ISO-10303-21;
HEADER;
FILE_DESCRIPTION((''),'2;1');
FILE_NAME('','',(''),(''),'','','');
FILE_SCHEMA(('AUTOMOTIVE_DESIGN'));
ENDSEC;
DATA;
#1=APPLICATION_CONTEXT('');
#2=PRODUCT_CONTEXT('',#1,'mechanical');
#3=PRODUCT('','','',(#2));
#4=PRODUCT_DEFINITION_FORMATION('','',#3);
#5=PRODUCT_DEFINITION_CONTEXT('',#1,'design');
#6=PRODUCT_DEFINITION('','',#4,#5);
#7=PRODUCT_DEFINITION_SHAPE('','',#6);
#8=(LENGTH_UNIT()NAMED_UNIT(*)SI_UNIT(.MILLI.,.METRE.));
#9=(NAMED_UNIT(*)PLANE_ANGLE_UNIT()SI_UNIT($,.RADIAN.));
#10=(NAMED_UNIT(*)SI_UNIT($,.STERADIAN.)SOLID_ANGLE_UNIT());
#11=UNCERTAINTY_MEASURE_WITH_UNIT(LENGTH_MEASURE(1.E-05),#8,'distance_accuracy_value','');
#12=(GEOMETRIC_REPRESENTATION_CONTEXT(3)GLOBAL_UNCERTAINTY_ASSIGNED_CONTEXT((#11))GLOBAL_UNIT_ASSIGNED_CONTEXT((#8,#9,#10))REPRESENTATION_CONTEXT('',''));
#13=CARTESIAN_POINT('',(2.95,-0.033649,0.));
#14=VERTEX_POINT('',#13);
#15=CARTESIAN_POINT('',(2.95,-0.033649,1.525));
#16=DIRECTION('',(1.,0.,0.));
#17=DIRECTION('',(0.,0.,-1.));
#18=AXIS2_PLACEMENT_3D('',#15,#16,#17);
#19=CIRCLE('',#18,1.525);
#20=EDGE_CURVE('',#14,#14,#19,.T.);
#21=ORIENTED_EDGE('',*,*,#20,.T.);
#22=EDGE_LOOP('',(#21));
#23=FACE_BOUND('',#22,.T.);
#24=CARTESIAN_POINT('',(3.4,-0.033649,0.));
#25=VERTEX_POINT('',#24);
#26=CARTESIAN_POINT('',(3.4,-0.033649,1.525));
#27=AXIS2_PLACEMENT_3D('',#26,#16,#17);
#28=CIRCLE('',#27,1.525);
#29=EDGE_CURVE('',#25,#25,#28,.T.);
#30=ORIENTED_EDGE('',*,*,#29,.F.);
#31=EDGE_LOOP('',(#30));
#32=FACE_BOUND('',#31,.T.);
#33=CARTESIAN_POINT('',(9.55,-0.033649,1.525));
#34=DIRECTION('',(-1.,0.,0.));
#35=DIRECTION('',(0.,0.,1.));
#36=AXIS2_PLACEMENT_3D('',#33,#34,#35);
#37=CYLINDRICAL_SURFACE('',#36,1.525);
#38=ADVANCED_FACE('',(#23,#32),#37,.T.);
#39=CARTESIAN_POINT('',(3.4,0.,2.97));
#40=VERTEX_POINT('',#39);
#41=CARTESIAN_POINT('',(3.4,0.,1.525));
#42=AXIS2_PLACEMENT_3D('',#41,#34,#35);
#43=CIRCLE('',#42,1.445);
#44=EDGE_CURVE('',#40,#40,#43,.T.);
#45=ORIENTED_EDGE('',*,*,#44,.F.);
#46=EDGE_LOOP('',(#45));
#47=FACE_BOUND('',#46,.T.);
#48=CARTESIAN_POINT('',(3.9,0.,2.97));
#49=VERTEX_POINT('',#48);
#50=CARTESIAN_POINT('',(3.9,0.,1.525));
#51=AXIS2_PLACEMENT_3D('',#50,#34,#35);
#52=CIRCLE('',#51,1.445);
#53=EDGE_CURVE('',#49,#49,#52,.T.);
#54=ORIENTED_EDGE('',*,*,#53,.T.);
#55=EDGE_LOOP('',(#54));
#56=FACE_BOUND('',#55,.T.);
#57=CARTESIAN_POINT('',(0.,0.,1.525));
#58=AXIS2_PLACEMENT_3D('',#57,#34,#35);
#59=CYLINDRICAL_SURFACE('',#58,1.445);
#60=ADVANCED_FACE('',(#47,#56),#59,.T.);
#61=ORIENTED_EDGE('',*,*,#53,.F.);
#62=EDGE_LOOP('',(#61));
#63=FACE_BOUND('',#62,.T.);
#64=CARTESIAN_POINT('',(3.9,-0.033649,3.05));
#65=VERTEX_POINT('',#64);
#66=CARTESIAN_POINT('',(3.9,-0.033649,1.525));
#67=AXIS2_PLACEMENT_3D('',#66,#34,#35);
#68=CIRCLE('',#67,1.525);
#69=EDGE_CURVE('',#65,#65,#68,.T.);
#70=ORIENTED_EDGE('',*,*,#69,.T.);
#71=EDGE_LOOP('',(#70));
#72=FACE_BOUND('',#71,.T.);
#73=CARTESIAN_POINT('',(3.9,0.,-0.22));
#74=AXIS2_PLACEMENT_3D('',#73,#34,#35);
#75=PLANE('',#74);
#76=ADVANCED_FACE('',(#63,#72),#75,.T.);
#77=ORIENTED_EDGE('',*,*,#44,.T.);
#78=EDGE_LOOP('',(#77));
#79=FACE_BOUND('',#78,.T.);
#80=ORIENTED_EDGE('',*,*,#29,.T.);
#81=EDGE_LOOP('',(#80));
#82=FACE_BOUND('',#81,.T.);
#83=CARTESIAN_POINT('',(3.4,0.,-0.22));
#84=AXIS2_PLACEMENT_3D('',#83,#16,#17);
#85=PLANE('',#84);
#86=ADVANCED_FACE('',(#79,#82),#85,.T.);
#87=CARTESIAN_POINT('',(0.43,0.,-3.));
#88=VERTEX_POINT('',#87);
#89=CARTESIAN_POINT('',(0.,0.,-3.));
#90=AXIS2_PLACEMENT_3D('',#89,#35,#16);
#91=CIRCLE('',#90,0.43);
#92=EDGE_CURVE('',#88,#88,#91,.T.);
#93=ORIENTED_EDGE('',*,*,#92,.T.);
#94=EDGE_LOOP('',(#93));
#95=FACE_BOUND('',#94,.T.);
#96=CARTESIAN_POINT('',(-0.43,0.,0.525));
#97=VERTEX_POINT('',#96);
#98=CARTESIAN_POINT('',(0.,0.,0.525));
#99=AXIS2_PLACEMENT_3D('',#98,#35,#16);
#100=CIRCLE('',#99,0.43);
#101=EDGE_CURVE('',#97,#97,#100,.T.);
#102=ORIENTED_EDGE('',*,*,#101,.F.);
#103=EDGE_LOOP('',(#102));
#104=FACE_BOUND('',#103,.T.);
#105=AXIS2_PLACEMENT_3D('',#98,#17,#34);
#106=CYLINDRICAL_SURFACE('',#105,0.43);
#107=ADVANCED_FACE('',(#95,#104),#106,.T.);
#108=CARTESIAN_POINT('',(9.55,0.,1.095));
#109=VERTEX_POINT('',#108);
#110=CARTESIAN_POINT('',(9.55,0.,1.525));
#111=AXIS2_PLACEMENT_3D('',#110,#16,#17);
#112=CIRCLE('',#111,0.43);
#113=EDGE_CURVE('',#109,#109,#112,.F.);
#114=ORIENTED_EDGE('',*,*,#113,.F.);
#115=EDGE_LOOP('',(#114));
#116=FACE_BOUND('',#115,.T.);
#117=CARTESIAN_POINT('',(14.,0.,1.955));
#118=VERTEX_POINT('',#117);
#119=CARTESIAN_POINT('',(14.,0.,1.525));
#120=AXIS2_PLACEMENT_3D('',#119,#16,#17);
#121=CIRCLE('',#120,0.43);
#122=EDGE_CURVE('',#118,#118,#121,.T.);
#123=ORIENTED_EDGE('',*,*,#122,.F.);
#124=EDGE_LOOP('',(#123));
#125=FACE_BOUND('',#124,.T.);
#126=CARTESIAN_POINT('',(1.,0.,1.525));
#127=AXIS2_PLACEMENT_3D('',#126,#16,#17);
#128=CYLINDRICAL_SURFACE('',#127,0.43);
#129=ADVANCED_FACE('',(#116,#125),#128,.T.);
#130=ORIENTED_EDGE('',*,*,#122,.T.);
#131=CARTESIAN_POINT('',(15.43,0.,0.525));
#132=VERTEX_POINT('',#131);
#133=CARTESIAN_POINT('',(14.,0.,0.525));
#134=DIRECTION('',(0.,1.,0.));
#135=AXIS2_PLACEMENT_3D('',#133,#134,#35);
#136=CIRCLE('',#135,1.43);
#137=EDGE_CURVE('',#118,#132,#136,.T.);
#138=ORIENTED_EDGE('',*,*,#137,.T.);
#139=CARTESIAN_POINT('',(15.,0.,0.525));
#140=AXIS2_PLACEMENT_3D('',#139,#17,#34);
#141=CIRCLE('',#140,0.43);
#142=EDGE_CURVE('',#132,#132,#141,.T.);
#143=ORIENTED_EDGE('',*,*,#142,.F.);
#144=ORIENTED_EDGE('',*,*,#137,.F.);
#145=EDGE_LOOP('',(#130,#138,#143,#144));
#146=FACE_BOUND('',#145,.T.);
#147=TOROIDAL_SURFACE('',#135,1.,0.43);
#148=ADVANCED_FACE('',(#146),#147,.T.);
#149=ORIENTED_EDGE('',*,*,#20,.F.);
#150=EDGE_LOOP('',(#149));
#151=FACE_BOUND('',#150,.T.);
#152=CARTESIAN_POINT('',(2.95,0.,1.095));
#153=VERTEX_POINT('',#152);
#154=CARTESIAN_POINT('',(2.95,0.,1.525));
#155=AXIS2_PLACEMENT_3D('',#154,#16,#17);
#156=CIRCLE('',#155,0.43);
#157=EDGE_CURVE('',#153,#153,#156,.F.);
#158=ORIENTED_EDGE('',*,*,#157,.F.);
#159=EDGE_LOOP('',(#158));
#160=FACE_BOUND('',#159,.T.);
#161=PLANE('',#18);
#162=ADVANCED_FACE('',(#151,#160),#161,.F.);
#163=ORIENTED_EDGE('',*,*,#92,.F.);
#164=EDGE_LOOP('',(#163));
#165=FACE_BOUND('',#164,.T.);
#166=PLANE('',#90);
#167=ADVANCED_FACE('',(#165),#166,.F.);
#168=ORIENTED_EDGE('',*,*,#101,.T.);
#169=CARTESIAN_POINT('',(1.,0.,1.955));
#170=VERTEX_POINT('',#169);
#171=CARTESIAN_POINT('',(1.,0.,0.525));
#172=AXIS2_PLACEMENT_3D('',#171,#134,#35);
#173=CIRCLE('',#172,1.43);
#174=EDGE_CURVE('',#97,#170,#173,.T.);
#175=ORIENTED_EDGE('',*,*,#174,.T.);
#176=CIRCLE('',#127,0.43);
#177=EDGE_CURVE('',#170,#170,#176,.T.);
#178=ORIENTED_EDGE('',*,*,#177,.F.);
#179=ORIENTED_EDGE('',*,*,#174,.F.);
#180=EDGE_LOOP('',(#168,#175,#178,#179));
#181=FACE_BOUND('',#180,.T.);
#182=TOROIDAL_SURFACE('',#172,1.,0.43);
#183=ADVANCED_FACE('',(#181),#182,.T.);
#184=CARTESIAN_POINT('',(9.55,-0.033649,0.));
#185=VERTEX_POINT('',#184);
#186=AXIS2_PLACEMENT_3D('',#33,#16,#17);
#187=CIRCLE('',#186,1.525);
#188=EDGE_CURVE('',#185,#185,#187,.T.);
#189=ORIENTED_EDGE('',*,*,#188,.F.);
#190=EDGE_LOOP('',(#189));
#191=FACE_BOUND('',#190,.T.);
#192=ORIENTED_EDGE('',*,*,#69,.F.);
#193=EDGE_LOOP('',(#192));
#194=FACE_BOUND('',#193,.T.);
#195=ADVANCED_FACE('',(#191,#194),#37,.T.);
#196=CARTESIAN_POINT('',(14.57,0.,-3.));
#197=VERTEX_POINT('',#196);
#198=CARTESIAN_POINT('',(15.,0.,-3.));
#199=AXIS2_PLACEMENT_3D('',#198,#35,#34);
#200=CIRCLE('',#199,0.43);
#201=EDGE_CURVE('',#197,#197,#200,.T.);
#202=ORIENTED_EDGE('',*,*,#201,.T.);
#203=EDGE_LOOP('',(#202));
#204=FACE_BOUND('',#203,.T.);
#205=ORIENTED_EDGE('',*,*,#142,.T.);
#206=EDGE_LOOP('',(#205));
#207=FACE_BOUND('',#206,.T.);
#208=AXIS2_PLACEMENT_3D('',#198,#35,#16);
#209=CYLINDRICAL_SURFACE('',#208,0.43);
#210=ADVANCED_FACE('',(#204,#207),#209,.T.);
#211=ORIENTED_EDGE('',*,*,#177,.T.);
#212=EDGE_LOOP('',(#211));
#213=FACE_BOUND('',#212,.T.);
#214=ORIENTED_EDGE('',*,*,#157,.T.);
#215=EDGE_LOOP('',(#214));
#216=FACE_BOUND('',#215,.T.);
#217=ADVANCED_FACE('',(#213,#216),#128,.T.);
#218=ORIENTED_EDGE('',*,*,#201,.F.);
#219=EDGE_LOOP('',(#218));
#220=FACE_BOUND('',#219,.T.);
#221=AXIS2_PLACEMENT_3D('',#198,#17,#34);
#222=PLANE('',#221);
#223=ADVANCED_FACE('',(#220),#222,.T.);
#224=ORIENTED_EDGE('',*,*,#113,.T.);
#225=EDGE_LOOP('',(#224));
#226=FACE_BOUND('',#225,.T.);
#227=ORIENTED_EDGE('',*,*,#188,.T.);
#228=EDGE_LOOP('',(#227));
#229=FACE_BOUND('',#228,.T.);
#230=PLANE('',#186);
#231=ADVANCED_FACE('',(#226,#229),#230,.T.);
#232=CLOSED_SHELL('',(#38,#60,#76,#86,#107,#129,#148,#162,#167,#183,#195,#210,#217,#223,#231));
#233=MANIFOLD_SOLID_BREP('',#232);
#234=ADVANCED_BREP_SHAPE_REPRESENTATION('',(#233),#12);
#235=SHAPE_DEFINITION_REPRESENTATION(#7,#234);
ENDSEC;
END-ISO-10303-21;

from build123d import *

# Parameters (mm, degrees)
SKETCH_3_R        = 1.525
EXTRUDE_1_DEPTH   = 6.6
SKETCH_4_W        = 0.5
SKETCH_4_H        = 0.3
SKETCH_6_R        = 0.43
EXTRUDE_2_DEPTH   = 3
EXTRUDE_2_2_DEPTH = 3
SKETCH_7_R        = 0.43


with BuildPart() as part:
    # Эскиз3 → Вытянуть1 (new body)
    with BuildSketch(Plane(origin=(2.95, 0, 0), x_dir=(0, 0, -1), z_dir=(1, 0, 0))):
        with Locations((-1.525, -0.033649265)):
            Circle(SKETCH_3_R)
    extrude(amount=EXTRUDE_1_DEPTH)

    # Эскиз4 → Вырез-Повернуть1 (revolve, cut)
    with BuildSketch(Plane(origin=(0, 0, 0), x_dir=(1, 0, 0), z_dir=(0, 1, 0)), mode=Mode.PRIVATE) as cut_revolve_1_sk:
        with Locations((3.65, 0.07)):
            Rectangle(SKETCH_4_W, SKETCH_4_H)
    revolve(cut_revolve_1_sk.sketch.rotate(Axis((0, 0, 1.525), (1, 0, 0)), 180), axis=Axis((0, 0, 1.525), (1, 0, 0)), mode=Mode.SUBTRACT)



with BuildPart() as body_2:
    # Эскиз6 → Вытянуть2 (new body)
    with BuildSketch(Plane.XY):
        Circle(SKETCH_6_R)
    extrude(amount=-EXTRUDE_2_DEPTH)


with BuildPart() as body_3:
    # Эскиз6 → Extrude 2 2 (new body)
    with BuildSketch(Plane.XY):
        with Locations(Location((15, 0, 0), (0, 0, 180))):
            Circle(SKETCH_6_R)
    extrude(amount=-EXTRUDE_2_2_DEPTH)


with BuildPart() as part_1:
    add(part.part)

    add(body_2.part)  # По траектории1 merges body 2

    add(body_3.part)  # По траектории1 merges body 3
    # По траектории1: sweep along a path in Эскиз5
    with BuildLine(Plane(origin=(0, 0, 0), x_dir=(1, 0, 0), z_dir=(0, 1, 0))) as sweep_1_path:
        Line((0, 0), (0, -0.525))
        ThreePointArc((0, -0.525), (0.292893219, -1.232106781), (1, -1.525))
        Line((1, -1.525), (6.8, -1.525))
        Line((6.8, -1.525), (14, -1.525))
        ThreePointArc((14, -1.525), (14.707106781, -1.232106781), (15, -0.525))
        Line((15, -0.525), (15, 0))
    # Эскиз7 → По траектории1 (sweep)
    with BuildSketch(Plane.XY):
        Circle(SKETCH_7_R)
    sweep(path=sweep_1_path.line)


solid = part_1.part
